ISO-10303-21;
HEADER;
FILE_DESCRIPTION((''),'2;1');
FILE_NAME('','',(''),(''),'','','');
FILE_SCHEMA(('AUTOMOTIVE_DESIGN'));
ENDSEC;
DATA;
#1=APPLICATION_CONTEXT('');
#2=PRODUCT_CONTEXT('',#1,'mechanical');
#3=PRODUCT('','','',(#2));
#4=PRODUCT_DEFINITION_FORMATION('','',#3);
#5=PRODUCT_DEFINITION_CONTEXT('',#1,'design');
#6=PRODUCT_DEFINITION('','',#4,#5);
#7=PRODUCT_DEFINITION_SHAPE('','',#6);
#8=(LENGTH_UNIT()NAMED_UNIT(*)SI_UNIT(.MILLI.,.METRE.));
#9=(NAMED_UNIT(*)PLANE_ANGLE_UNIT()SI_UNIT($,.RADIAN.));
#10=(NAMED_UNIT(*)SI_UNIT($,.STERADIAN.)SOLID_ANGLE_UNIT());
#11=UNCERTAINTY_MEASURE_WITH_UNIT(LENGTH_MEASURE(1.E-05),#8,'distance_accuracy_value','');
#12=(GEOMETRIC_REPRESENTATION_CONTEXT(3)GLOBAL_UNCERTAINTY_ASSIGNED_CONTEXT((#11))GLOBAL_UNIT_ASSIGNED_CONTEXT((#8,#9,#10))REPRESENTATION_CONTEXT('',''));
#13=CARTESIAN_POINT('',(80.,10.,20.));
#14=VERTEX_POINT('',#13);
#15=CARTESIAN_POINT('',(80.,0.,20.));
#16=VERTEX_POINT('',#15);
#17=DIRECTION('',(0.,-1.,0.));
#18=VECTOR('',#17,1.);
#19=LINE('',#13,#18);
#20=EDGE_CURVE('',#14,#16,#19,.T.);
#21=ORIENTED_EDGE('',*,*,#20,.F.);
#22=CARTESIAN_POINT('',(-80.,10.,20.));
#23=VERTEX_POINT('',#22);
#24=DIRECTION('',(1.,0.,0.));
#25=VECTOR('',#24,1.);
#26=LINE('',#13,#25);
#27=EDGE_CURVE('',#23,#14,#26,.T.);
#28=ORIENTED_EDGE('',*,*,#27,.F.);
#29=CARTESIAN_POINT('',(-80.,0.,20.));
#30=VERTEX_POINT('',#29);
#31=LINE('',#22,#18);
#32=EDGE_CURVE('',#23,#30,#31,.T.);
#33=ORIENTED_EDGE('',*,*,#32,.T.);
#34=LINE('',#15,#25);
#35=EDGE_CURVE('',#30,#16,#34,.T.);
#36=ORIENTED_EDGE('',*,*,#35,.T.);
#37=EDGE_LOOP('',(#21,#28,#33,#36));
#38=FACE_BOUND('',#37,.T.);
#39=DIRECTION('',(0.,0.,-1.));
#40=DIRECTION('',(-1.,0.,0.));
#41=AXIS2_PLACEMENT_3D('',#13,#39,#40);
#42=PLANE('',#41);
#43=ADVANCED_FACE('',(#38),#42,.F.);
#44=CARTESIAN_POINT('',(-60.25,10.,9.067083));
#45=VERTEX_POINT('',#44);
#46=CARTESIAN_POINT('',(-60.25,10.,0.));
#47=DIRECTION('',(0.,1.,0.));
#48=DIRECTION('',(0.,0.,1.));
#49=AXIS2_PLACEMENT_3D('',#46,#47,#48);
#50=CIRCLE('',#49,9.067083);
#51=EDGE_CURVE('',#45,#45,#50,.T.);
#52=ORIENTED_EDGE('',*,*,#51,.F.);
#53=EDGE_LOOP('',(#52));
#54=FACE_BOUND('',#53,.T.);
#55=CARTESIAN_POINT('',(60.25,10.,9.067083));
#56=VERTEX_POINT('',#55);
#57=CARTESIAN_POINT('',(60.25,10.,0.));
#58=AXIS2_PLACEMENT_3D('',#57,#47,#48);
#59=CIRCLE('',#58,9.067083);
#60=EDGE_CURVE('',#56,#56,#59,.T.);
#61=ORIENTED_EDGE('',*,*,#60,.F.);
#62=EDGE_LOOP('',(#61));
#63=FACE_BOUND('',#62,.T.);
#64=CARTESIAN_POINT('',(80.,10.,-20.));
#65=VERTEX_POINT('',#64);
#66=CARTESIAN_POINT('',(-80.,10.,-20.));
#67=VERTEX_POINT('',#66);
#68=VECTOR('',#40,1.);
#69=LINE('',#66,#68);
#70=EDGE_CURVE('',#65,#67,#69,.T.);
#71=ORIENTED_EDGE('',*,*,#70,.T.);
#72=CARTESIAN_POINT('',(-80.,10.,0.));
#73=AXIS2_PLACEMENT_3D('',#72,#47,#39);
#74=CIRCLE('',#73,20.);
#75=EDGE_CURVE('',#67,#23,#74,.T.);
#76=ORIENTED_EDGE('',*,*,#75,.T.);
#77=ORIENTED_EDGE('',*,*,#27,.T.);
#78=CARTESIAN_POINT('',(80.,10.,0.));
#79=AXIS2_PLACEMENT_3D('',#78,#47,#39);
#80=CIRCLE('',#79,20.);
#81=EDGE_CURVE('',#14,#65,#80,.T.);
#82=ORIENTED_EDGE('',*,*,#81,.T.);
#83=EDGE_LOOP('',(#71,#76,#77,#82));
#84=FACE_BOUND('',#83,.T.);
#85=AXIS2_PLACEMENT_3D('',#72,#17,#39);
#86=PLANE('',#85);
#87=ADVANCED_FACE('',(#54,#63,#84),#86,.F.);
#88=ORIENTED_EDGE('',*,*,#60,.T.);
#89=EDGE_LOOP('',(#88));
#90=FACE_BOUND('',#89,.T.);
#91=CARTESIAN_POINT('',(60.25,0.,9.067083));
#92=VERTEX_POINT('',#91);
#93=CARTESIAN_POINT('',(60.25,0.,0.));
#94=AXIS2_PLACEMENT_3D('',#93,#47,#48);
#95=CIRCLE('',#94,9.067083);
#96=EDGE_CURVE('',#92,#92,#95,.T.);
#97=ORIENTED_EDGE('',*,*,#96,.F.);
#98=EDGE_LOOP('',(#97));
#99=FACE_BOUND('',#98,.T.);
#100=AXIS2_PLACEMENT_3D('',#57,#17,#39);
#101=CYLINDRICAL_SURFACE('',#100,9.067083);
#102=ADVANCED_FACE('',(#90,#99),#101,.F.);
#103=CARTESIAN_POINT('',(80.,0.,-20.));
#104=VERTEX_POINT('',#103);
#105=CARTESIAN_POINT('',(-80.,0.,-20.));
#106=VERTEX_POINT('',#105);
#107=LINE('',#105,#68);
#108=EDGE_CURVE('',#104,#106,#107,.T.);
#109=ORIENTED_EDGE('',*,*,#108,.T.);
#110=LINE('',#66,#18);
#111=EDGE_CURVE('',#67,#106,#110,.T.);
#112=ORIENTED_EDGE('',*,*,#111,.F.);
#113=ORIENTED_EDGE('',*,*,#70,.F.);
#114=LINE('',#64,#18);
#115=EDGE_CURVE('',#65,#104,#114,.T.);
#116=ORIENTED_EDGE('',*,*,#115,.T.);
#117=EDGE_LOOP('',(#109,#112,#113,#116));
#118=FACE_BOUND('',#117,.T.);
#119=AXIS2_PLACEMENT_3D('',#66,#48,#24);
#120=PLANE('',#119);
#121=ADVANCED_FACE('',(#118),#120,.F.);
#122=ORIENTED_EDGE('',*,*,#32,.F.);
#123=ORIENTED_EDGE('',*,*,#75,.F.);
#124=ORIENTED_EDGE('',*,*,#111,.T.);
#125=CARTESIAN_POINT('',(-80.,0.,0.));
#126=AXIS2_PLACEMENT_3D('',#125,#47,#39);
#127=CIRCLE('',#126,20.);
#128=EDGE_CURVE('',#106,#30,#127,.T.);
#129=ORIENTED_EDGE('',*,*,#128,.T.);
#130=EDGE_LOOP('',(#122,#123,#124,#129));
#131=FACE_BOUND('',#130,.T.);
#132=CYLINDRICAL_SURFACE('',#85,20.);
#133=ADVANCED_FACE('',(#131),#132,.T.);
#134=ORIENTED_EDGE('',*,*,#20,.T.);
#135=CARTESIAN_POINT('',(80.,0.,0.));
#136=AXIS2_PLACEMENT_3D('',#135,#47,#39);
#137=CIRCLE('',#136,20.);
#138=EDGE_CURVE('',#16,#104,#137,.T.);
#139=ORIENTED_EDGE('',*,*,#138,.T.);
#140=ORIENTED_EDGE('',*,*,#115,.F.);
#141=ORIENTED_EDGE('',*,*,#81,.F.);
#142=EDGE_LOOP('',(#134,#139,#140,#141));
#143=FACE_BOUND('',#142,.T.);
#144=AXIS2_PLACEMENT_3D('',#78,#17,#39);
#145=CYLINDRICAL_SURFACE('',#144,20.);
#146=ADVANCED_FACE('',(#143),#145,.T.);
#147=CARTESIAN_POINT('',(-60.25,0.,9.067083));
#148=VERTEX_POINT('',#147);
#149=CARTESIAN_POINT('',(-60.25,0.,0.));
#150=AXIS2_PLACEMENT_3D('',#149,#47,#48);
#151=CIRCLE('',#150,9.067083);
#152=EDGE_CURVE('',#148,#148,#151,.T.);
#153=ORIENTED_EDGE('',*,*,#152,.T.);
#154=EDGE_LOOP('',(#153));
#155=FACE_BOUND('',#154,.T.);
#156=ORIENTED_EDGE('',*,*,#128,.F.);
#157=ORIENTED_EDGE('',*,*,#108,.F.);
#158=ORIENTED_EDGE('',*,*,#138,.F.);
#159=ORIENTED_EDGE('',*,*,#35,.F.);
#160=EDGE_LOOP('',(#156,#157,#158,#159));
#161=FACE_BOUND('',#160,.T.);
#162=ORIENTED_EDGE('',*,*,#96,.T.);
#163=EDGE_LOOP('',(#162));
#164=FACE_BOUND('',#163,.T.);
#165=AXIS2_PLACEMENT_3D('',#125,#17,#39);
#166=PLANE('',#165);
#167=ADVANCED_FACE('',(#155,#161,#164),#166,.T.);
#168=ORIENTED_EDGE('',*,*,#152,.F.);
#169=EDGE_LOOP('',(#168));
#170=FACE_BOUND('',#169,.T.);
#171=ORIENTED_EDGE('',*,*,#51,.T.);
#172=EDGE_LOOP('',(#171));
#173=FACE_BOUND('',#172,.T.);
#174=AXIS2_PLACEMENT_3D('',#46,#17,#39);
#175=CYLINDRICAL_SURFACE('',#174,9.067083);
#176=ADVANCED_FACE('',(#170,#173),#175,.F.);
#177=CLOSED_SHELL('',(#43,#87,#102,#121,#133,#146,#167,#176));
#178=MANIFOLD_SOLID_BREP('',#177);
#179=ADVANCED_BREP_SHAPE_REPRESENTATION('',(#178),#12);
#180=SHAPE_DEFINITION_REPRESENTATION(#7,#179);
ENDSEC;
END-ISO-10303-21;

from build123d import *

# Parameters (mm, degrees)
SKETCH_1_R      = 9.067083206
EXTRUDE_1_DEPTH = 10


with BuildPart() as part:
    # 草图1 → 凸台-拉伸1 (new body)
    with BuildSketch(Plane(origin=(0, 0, 0), x_dir=(1, 0, 0), z_dir=(0, 1, 0))):
        with BuildLine():
            Line((-80, 20), (80, 20))
            ThreePointArc((80, 20), (100, 0), (80, -20))
            Line((80, -20), (-80, -20))
            ThreePointArc((-80, -20), (-100, 0), (-80, 20))
        make_face()
        with Locations(Location((-60.25, 0, 0), (0, 0, 270))):
            Circle(SKETCH_1_R, mode=Mode.SUBTRACT)
        with Locations(Location((60.25, 0, 0), (0, 0, 270))):
            Circle(SKETCH_1_R, mode=Mode.SUBTRACT)
    extrude(amount=EXTRUDE_1_DEPTH)


solid = part.part
